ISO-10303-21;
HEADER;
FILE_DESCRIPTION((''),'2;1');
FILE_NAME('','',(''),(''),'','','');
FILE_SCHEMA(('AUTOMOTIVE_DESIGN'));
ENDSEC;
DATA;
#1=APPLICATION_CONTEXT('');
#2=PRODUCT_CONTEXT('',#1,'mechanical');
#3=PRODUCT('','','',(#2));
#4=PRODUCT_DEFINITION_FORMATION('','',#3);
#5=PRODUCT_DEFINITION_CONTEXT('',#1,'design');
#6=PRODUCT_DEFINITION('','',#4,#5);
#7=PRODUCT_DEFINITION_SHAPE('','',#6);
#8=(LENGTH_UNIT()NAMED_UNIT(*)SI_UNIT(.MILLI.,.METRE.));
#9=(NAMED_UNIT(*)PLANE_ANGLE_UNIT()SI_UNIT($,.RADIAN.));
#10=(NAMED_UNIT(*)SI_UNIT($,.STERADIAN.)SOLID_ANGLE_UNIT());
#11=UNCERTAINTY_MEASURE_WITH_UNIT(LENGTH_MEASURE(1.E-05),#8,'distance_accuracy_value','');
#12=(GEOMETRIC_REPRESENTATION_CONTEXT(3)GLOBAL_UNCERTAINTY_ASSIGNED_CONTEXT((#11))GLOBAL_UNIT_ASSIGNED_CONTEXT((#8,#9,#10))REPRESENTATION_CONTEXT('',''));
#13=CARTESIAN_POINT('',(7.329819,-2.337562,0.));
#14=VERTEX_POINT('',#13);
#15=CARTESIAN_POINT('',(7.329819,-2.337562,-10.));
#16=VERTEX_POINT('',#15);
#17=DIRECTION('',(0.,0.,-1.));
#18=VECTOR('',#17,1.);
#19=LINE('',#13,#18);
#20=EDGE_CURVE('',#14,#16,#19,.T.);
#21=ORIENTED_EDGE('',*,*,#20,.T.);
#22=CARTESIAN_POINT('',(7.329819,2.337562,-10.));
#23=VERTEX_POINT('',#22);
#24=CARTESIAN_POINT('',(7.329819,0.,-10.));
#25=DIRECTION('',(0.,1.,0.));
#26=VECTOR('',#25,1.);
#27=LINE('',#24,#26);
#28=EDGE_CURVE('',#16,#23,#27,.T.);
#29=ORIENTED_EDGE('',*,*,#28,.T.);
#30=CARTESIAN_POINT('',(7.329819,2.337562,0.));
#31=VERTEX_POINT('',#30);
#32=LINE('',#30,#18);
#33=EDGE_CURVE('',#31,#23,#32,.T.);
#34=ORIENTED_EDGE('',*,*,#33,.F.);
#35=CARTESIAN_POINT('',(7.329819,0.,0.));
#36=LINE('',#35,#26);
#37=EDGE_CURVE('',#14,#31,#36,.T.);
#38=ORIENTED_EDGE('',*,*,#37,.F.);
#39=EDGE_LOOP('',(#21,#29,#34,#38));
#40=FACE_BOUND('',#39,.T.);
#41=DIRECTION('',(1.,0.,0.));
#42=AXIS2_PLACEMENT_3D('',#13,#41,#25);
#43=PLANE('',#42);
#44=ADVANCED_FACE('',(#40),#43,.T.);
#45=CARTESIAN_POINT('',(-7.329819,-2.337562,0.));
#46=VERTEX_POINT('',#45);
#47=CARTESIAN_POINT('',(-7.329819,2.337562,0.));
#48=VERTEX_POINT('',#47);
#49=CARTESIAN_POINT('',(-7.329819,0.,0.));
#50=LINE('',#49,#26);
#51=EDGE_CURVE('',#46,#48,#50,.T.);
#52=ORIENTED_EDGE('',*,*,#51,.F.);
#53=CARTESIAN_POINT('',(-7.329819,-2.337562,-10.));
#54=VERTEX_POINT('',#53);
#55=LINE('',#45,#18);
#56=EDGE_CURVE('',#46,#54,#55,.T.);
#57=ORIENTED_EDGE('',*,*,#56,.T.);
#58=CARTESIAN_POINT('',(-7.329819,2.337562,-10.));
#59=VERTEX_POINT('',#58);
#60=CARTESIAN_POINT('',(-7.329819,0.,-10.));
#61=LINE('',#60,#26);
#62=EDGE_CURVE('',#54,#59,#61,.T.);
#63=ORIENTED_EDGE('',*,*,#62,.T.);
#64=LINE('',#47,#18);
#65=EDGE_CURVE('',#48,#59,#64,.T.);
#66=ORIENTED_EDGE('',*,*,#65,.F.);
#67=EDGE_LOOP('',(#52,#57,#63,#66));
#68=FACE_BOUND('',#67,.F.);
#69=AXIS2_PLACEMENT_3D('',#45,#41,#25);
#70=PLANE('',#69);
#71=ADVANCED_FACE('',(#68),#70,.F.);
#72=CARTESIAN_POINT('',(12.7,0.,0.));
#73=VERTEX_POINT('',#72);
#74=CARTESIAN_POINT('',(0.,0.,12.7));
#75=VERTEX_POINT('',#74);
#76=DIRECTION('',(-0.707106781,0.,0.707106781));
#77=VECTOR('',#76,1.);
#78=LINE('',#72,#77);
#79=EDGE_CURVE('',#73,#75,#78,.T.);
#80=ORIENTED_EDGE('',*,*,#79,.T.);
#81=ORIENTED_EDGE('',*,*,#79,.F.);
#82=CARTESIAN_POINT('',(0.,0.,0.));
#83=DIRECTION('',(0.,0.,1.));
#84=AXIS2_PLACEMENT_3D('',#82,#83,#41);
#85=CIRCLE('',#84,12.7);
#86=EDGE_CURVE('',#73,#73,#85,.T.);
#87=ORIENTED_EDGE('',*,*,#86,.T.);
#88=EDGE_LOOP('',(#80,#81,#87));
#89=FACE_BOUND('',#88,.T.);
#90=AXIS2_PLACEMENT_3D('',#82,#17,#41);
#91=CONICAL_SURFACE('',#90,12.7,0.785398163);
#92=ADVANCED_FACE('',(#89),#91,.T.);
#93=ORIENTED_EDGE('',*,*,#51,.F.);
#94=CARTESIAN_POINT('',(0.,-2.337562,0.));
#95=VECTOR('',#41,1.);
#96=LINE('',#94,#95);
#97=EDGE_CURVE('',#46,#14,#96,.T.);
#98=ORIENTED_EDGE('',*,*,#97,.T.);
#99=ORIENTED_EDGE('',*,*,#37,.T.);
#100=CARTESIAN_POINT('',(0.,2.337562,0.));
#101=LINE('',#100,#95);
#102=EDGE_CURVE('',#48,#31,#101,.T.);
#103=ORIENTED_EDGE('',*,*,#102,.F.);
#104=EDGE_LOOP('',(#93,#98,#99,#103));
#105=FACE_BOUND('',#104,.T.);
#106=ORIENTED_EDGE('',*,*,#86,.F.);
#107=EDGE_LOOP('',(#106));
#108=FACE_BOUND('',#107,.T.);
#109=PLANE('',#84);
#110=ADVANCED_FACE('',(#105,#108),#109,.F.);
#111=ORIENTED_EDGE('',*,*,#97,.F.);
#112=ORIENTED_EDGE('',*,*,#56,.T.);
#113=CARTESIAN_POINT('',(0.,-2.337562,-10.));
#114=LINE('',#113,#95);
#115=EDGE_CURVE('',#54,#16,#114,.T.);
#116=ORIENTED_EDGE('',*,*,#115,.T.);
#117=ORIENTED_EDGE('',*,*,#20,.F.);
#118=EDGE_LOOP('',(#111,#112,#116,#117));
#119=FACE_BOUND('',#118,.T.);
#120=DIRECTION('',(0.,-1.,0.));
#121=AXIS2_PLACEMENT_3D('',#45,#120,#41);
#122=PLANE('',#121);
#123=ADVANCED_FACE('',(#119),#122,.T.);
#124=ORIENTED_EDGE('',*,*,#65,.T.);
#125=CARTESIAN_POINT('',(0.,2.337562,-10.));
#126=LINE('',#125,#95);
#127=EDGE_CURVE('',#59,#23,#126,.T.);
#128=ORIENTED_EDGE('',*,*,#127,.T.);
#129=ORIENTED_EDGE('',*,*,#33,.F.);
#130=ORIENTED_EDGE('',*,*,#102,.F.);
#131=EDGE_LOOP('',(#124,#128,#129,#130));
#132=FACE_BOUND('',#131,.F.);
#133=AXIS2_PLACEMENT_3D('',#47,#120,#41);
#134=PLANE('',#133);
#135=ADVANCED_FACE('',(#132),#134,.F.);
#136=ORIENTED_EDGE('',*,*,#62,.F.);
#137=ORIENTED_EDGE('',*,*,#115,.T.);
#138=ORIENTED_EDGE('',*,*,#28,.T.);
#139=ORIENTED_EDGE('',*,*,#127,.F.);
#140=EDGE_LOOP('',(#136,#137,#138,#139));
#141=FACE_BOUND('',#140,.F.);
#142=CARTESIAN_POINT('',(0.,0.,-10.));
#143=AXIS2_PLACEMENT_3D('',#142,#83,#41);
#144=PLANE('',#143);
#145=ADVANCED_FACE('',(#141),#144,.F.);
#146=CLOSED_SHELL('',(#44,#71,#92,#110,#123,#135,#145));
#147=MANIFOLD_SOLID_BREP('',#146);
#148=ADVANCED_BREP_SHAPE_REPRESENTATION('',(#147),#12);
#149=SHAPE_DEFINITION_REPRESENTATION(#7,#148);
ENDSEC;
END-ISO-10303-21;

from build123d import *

# Parameters (mm, degrees)
F3_W     = 14.659638
F3_H     = 4.675124
F4_DEPTH = 10


with BuildPart() as f2:
    # F0 (on Front) → F2 (revolve)
    with BuildSketch(Plane.XZ):
        Polygon((0, 12.7), (0, 0), (12.7, 0), align=None)
    revolve(axis=Axis((0, 0, 19.931149), (0, 0, 1)))

    # F3 (on Top) → F4 (join)
    with BuildSketch(Plane.XY):
        Rectangle(F3_W, F3_H)
    extrude(amount=-F4_DEPTH)


solid = f2.part
